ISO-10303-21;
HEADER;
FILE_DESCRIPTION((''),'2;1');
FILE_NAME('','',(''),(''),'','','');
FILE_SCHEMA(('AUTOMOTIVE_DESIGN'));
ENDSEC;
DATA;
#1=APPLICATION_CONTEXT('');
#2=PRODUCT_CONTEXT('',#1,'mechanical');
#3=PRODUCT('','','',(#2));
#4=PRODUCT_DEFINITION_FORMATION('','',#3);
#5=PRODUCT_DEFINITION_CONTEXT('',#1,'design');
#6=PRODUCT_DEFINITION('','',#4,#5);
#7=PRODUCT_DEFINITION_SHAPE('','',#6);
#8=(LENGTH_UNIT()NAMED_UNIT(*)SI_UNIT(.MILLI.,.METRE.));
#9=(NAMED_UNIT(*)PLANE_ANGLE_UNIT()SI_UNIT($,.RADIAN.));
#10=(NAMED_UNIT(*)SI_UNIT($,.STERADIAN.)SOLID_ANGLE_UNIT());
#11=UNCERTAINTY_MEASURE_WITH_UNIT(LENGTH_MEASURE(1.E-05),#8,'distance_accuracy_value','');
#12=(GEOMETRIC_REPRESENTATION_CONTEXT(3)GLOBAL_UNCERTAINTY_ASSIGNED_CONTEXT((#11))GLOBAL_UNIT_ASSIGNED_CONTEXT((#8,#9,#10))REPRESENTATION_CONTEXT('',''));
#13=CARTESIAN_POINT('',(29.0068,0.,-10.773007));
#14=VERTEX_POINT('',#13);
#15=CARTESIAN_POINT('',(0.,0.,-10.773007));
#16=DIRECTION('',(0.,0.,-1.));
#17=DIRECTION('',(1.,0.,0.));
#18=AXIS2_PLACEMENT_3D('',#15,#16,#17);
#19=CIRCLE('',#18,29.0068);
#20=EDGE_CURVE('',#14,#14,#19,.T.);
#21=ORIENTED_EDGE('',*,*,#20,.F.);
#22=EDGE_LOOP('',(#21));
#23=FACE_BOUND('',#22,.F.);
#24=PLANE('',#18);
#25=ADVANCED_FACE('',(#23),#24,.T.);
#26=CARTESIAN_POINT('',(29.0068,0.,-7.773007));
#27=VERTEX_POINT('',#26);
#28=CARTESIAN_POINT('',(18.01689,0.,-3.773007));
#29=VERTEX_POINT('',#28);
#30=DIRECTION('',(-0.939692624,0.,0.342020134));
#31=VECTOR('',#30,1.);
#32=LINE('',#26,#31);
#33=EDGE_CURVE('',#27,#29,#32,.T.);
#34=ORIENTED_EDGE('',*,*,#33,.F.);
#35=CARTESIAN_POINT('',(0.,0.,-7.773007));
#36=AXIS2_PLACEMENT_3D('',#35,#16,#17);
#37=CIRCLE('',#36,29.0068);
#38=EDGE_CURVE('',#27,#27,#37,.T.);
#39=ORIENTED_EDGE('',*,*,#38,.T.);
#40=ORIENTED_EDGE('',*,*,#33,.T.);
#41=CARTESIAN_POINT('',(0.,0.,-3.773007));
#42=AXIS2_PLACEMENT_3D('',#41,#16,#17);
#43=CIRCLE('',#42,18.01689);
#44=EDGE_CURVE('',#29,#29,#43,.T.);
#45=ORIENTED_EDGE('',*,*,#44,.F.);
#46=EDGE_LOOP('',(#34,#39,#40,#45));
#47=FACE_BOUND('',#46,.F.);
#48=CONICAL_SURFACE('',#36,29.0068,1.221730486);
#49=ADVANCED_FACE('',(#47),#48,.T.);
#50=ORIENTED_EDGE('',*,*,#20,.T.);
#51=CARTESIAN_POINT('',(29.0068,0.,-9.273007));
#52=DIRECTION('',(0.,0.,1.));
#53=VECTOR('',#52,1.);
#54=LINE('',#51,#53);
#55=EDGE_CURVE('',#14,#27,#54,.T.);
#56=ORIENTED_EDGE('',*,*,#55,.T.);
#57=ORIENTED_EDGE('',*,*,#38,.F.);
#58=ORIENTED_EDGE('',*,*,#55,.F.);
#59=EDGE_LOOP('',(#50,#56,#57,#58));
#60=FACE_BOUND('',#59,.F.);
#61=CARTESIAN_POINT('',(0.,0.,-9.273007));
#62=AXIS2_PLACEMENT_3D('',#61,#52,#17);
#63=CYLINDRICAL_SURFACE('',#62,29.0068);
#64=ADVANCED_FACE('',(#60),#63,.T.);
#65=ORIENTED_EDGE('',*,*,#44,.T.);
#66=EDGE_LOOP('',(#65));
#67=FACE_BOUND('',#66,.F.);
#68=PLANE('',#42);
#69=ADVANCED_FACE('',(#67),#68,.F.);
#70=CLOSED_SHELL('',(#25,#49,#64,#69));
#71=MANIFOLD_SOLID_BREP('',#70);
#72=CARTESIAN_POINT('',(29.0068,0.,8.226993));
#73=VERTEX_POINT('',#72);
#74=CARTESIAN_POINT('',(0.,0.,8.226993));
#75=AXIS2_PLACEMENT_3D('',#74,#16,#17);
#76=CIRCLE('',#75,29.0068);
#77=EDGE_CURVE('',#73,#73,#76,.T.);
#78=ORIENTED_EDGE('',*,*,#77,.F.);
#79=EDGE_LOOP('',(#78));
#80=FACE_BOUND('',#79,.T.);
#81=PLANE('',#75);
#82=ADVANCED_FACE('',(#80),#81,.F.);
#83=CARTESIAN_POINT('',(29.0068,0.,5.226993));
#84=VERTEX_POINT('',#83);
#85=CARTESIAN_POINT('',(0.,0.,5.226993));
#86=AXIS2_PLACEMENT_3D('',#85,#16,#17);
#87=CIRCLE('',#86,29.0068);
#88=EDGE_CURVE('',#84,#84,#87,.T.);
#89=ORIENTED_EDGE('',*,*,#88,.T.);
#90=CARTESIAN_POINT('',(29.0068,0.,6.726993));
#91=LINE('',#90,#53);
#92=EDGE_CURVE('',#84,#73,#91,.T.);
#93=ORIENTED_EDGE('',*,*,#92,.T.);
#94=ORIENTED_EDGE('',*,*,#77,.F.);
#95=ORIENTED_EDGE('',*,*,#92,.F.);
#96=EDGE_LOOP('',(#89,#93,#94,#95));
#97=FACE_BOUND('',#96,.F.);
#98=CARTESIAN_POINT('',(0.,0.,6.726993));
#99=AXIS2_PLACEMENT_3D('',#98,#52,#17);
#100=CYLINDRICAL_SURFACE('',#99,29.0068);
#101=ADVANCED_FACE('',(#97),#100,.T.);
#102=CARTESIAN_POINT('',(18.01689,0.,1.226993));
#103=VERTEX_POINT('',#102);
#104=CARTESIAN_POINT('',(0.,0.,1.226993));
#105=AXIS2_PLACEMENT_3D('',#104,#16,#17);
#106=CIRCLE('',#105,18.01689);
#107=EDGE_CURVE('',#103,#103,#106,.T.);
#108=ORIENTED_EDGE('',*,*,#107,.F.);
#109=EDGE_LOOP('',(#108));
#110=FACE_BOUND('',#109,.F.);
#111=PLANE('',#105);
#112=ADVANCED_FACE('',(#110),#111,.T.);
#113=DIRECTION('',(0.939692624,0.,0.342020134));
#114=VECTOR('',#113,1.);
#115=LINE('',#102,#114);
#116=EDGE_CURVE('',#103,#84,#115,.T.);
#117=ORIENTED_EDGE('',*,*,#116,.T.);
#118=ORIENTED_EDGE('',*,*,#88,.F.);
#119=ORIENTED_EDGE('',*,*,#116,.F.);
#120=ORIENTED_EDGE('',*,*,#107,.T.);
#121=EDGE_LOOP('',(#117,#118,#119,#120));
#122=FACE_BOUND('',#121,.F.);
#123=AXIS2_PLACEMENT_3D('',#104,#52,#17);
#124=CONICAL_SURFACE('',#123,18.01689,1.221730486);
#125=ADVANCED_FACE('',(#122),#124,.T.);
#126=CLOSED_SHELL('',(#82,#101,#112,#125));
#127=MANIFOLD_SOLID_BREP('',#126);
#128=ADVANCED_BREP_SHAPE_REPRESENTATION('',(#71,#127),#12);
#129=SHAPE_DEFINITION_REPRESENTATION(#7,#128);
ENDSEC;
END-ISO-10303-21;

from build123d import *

# Parameters (mm, degrees)
F0_W = 29.0068
F0_H = 3


with BuildPart() as f1:
    # F0 (on Front) → F1 (revolve)
    with BuildSketch(Plane.XZ):
        with Locations((14.5034, 6.726993)):
            Rectangle(F0_W, F0_H)
        with Locations((14.5034, -9.273007)):
            Rectangle(F0_W, F0_H)
        Polygon((18.01689, -3.773007), (0, -3.773007), (0, -7.773007), (29.0068, -7.773007), align=None)
        Polygon((29.0068, 5.226993), (0, 5.226993), (0, 1.226993), (18.01689, 1.226993), align=None)
    revolve(axis=Axis((0, 0, 18.431734), (0, 0, -1)))


solid = f1.part
